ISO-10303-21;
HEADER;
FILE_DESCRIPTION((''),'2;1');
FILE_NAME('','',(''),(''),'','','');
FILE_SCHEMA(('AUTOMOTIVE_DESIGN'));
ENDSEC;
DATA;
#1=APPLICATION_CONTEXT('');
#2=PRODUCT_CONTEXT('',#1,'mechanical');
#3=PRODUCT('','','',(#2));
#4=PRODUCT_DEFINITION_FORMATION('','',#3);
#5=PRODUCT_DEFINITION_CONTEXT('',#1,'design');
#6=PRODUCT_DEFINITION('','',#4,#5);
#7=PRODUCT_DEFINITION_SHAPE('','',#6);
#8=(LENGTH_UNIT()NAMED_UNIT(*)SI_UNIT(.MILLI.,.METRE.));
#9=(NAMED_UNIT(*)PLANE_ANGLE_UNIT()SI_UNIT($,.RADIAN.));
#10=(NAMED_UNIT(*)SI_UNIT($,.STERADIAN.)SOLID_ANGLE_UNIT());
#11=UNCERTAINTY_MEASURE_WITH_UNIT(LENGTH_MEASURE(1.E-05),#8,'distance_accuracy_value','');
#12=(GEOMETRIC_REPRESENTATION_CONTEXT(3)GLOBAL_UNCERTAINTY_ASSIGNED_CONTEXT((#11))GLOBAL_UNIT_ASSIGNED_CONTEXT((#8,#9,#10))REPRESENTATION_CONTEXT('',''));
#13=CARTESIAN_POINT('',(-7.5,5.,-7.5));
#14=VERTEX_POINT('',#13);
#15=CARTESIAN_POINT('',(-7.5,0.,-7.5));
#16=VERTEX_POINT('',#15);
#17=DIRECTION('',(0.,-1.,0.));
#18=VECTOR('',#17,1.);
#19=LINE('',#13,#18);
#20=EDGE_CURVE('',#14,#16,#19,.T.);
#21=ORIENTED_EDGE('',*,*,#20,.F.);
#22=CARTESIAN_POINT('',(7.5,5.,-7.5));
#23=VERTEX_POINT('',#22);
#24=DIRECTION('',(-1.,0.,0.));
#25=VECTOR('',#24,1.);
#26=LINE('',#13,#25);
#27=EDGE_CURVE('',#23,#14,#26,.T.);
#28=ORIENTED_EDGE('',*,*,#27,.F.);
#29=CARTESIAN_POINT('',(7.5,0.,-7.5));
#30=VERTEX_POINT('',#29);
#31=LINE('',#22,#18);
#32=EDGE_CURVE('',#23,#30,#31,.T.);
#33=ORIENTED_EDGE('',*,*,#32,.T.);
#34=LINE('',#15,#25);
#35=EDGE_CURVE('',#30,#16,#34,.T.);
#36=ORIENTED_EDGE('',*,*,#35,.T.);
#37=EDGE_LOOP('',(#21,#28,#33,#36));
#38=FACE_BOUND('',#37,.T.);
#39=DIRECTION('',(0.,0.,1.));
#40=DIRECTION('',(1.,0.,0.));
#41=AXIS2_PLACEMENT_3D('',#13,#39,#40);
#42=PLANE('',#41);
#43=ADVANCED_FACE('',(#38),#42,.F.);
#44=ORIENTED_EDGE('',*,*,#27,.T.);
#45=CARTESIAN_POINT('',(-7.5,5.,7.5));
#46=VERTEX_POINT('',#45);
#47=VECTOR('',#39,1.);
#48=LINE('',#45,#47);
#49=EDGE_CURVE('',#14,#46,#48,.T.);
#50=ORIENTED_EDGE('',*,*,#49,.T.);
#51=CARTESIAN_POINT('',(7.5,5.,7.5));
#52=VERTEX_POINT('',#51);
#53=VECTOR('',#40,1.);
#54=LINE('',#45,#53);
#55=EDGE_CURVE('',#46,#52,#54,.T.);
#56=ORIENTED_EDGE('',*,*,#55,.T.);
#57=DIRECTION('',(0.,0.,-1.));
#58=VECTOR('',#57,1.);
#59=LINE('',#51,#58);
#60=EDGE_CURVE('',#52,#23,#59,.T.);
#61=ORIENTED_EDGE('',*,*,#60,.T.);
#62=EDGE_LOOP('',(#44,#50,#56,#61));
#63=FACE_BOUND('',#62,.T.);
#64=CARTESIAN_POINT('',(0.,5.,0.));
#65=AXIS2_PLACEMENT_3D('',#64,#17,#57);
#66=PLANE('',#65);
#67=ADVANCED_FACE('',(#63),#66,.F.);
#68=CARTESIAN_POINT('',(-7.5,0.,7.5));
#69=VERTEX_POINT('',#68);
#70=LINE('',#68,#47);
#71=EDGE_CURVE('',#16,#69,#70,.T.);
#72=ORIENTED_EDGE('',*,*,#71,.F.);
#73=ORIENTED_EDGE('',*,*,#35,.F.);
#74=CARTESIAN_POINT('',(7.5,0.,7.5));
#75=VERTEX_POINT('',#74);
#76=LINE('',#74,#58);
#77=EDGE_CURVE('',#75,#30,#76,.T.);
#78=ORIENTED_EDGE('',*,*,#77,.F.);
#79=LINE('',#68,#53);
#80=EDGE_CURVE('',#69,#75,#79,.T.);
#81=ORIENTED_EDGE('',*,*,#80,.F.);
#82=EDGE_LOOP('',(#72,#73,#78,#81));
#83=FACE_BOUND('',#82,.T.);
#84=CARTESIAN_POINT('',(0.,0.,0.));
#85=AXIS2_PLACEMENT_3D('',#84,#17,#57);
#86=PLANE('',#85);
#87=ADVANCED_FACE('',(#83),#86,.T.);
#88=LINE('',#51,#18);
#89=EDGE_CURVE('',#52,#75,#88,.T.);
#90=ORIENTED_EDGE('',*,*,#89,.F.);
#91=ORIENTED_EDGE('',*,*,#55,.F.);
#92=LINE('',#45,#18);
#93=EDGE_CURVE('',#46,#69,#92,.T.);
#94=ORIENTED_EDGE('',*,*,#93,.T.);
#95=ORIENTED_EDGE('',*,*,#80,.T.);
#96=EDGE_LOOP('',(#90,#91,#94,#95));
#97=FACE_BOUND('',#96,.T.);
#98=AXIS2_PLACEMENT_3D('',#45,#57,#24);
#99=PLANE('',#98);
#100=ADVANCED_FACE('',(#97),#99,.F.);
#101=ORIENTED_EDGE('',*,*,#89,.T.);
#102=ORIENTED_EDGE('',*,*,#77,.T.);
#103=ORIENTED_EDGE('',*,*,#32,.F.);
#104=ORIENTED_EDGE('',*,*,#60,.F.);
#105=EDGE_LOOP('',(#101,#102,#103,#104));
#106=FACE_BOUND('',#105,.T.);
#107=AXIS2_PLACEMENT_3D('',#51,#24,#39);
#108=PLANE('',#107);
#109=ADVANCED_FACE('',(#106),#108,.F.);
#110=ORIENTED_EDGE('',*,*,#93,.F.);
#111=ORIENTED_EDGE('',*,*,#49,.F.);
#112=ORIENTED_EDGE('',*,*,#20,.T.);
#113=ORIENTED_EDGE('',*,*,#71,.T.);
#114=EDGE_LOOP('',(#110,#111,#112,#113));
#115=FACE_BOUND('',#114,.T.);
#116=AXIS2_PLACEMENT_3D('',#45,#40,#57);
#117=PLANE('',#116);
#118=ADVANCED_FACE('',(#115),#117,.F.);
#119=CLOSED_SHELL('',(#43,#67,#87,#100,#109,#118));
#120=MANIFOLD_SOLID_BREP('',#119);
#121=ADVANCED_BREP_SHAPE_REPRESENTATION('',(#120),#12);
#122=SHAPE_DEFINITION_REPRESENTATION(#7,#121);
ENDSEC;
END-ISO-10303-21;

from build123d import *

# Parameters (mm, degrees)
CROQUIS1_W              = 15
CROQUIS1_H              = 15
SALIENTE_EXTRUIR1_DEPTH = 5


with BuildPart() as part:
    # Croquis1 → Saliente-Extruir1 (new body)
    with BuildSketch(Plane(origin=(0, 0, 0), x_dir=(1, 0, 0), z_dir=(0, 1, 0))):
        Rectangle(CROQUIS1_W, CROQUIS1_H)
    extrude(amount=SALIENTE_EXTRUIR1_DEPTH)


solid = part.part
